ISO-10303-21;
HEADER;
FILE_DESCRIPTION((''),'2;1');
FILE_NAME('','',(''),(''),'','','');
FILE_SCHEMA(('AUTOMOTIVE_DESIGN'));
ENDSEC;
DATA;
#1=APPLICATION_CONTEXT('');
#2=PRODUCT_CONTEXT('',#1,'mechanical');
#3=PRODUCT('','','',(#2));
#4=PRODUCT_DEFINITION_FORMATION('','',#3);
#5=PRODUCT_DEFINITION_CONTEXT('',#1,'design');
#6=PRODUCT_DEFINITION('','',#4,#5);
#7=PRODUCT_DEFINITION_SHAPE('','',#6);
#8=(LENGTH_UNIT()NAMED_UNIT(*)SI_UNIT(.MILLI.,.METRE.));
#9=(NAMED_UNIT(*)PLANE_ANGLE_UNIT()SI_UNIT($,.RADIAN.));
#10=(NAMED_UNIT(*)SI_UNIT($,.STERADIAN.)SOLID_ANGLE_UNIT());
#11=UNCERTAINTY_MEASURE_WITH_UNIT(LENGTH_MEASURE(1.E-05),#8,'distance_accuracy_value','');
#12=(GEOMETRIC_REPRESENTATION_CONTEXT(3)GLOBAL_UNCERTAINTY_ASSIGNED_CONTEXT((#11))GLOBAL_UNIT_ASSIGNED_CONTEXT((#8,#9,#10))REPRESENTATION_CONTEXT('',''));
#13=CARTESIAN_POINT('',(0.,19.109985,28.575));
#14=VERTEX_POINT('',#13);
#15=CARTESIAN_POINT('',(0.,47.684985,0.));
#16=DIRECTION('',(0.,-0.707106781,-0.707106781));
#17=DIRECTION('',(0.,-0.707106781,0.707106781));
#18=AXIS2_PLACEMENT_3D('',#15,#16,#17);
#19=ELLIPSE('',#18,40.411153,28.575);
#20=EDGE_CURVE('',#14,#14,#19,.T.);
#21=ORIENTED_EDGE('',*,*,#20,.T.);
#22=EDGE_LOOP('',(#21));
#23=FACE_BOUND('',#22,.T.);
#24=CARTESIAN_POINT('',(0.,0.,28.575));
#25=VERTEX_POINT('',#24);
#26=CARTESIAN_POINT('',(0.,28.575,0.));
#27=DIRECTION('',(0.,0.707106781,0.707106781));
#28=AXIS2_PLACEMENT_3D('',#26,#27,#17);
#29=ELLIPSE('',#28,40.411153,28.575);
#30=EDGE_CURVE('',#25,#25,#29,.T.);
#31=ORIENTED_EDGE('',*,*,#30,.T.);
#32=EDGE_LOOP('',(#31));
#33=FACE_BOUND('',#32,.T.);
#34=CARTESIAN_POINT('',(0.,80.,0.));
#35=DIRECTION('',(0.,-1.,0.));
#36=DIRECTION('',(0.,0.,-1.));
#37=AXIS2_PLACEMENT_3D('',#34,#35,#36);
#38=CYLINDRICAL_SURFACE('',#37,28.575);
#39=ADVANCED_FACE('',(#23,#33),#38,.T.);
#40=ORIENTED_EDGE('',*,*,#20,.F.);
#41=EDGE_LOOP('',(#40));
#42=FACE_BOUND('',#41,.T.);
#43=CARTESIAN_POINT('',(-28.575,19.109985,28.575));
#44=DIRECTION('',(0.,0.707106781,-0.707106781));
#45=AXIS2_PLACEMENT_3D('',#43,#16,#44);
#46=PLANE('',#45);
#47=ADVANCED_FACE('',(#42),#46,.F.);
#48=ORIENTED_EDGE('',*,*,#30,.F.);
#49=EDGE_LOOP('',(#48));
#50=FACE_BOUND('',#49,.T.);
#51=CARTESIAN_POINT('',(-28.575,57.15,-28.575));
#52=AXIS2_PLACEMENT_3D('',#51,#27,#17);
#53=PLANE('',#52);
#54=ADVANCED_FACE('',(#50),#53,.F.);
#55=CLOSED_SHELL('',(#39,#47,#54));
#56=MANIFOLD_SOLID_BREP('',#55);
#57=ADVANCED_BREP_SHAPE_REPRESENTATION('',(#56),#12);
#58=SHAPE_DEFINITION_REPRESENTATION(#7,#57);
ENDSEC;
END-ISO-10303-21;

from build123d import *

# Parameters (mm, degrees)
SKETCH2_R               = 28.575
BOSS_EXTRUDE1_DEPTH     = 80
CUT_EXTRUDE2_DEPTH      = 90.627346552
CUT_EXTRUDE2_DEPTH_BACK = 90.627346552


with BuildPart() as part:
    # Sketch2 → Boss-Extrude1 (new body)
    with BuildSketch(Plane(origin=(0, 0, 0), x_dir=(1, 0, 0), z_dir=(0, 1, 0))):
        with Locations(Location((0, 0, 0), (0, 0, 270))):
            Circle(SKETCH2_R)
    extrude(amount=BOSS_EXTRUDE1_DEPTH)

    # Sketch3 → Cut-Extrude2 (cut, two sides: drawn at the far end of the back side and taken through both)
    with BuildSketch(Plane(origin=(0, 0, 0), x_dir=(0, 0, -1), z_dir=(1, 0, 0)).offset(-CUT_EXTRUDE2_DEPTH_BACK)):
        Polygon((28.575, 80), (-28.575, 80), (-28.575, 19.109985026), (28.575, 76.259985026), align=None)
        Polygon((28.575, 0), (28.575, 57.15), (-28.575, 0), align=None)
    extrude(amount=CUT_EXTRUDE2_DEPTH + CUT_EXTRUDE2_DEPTH_BACK, mode=Mode.SUBTRACT)


solid = part.part
